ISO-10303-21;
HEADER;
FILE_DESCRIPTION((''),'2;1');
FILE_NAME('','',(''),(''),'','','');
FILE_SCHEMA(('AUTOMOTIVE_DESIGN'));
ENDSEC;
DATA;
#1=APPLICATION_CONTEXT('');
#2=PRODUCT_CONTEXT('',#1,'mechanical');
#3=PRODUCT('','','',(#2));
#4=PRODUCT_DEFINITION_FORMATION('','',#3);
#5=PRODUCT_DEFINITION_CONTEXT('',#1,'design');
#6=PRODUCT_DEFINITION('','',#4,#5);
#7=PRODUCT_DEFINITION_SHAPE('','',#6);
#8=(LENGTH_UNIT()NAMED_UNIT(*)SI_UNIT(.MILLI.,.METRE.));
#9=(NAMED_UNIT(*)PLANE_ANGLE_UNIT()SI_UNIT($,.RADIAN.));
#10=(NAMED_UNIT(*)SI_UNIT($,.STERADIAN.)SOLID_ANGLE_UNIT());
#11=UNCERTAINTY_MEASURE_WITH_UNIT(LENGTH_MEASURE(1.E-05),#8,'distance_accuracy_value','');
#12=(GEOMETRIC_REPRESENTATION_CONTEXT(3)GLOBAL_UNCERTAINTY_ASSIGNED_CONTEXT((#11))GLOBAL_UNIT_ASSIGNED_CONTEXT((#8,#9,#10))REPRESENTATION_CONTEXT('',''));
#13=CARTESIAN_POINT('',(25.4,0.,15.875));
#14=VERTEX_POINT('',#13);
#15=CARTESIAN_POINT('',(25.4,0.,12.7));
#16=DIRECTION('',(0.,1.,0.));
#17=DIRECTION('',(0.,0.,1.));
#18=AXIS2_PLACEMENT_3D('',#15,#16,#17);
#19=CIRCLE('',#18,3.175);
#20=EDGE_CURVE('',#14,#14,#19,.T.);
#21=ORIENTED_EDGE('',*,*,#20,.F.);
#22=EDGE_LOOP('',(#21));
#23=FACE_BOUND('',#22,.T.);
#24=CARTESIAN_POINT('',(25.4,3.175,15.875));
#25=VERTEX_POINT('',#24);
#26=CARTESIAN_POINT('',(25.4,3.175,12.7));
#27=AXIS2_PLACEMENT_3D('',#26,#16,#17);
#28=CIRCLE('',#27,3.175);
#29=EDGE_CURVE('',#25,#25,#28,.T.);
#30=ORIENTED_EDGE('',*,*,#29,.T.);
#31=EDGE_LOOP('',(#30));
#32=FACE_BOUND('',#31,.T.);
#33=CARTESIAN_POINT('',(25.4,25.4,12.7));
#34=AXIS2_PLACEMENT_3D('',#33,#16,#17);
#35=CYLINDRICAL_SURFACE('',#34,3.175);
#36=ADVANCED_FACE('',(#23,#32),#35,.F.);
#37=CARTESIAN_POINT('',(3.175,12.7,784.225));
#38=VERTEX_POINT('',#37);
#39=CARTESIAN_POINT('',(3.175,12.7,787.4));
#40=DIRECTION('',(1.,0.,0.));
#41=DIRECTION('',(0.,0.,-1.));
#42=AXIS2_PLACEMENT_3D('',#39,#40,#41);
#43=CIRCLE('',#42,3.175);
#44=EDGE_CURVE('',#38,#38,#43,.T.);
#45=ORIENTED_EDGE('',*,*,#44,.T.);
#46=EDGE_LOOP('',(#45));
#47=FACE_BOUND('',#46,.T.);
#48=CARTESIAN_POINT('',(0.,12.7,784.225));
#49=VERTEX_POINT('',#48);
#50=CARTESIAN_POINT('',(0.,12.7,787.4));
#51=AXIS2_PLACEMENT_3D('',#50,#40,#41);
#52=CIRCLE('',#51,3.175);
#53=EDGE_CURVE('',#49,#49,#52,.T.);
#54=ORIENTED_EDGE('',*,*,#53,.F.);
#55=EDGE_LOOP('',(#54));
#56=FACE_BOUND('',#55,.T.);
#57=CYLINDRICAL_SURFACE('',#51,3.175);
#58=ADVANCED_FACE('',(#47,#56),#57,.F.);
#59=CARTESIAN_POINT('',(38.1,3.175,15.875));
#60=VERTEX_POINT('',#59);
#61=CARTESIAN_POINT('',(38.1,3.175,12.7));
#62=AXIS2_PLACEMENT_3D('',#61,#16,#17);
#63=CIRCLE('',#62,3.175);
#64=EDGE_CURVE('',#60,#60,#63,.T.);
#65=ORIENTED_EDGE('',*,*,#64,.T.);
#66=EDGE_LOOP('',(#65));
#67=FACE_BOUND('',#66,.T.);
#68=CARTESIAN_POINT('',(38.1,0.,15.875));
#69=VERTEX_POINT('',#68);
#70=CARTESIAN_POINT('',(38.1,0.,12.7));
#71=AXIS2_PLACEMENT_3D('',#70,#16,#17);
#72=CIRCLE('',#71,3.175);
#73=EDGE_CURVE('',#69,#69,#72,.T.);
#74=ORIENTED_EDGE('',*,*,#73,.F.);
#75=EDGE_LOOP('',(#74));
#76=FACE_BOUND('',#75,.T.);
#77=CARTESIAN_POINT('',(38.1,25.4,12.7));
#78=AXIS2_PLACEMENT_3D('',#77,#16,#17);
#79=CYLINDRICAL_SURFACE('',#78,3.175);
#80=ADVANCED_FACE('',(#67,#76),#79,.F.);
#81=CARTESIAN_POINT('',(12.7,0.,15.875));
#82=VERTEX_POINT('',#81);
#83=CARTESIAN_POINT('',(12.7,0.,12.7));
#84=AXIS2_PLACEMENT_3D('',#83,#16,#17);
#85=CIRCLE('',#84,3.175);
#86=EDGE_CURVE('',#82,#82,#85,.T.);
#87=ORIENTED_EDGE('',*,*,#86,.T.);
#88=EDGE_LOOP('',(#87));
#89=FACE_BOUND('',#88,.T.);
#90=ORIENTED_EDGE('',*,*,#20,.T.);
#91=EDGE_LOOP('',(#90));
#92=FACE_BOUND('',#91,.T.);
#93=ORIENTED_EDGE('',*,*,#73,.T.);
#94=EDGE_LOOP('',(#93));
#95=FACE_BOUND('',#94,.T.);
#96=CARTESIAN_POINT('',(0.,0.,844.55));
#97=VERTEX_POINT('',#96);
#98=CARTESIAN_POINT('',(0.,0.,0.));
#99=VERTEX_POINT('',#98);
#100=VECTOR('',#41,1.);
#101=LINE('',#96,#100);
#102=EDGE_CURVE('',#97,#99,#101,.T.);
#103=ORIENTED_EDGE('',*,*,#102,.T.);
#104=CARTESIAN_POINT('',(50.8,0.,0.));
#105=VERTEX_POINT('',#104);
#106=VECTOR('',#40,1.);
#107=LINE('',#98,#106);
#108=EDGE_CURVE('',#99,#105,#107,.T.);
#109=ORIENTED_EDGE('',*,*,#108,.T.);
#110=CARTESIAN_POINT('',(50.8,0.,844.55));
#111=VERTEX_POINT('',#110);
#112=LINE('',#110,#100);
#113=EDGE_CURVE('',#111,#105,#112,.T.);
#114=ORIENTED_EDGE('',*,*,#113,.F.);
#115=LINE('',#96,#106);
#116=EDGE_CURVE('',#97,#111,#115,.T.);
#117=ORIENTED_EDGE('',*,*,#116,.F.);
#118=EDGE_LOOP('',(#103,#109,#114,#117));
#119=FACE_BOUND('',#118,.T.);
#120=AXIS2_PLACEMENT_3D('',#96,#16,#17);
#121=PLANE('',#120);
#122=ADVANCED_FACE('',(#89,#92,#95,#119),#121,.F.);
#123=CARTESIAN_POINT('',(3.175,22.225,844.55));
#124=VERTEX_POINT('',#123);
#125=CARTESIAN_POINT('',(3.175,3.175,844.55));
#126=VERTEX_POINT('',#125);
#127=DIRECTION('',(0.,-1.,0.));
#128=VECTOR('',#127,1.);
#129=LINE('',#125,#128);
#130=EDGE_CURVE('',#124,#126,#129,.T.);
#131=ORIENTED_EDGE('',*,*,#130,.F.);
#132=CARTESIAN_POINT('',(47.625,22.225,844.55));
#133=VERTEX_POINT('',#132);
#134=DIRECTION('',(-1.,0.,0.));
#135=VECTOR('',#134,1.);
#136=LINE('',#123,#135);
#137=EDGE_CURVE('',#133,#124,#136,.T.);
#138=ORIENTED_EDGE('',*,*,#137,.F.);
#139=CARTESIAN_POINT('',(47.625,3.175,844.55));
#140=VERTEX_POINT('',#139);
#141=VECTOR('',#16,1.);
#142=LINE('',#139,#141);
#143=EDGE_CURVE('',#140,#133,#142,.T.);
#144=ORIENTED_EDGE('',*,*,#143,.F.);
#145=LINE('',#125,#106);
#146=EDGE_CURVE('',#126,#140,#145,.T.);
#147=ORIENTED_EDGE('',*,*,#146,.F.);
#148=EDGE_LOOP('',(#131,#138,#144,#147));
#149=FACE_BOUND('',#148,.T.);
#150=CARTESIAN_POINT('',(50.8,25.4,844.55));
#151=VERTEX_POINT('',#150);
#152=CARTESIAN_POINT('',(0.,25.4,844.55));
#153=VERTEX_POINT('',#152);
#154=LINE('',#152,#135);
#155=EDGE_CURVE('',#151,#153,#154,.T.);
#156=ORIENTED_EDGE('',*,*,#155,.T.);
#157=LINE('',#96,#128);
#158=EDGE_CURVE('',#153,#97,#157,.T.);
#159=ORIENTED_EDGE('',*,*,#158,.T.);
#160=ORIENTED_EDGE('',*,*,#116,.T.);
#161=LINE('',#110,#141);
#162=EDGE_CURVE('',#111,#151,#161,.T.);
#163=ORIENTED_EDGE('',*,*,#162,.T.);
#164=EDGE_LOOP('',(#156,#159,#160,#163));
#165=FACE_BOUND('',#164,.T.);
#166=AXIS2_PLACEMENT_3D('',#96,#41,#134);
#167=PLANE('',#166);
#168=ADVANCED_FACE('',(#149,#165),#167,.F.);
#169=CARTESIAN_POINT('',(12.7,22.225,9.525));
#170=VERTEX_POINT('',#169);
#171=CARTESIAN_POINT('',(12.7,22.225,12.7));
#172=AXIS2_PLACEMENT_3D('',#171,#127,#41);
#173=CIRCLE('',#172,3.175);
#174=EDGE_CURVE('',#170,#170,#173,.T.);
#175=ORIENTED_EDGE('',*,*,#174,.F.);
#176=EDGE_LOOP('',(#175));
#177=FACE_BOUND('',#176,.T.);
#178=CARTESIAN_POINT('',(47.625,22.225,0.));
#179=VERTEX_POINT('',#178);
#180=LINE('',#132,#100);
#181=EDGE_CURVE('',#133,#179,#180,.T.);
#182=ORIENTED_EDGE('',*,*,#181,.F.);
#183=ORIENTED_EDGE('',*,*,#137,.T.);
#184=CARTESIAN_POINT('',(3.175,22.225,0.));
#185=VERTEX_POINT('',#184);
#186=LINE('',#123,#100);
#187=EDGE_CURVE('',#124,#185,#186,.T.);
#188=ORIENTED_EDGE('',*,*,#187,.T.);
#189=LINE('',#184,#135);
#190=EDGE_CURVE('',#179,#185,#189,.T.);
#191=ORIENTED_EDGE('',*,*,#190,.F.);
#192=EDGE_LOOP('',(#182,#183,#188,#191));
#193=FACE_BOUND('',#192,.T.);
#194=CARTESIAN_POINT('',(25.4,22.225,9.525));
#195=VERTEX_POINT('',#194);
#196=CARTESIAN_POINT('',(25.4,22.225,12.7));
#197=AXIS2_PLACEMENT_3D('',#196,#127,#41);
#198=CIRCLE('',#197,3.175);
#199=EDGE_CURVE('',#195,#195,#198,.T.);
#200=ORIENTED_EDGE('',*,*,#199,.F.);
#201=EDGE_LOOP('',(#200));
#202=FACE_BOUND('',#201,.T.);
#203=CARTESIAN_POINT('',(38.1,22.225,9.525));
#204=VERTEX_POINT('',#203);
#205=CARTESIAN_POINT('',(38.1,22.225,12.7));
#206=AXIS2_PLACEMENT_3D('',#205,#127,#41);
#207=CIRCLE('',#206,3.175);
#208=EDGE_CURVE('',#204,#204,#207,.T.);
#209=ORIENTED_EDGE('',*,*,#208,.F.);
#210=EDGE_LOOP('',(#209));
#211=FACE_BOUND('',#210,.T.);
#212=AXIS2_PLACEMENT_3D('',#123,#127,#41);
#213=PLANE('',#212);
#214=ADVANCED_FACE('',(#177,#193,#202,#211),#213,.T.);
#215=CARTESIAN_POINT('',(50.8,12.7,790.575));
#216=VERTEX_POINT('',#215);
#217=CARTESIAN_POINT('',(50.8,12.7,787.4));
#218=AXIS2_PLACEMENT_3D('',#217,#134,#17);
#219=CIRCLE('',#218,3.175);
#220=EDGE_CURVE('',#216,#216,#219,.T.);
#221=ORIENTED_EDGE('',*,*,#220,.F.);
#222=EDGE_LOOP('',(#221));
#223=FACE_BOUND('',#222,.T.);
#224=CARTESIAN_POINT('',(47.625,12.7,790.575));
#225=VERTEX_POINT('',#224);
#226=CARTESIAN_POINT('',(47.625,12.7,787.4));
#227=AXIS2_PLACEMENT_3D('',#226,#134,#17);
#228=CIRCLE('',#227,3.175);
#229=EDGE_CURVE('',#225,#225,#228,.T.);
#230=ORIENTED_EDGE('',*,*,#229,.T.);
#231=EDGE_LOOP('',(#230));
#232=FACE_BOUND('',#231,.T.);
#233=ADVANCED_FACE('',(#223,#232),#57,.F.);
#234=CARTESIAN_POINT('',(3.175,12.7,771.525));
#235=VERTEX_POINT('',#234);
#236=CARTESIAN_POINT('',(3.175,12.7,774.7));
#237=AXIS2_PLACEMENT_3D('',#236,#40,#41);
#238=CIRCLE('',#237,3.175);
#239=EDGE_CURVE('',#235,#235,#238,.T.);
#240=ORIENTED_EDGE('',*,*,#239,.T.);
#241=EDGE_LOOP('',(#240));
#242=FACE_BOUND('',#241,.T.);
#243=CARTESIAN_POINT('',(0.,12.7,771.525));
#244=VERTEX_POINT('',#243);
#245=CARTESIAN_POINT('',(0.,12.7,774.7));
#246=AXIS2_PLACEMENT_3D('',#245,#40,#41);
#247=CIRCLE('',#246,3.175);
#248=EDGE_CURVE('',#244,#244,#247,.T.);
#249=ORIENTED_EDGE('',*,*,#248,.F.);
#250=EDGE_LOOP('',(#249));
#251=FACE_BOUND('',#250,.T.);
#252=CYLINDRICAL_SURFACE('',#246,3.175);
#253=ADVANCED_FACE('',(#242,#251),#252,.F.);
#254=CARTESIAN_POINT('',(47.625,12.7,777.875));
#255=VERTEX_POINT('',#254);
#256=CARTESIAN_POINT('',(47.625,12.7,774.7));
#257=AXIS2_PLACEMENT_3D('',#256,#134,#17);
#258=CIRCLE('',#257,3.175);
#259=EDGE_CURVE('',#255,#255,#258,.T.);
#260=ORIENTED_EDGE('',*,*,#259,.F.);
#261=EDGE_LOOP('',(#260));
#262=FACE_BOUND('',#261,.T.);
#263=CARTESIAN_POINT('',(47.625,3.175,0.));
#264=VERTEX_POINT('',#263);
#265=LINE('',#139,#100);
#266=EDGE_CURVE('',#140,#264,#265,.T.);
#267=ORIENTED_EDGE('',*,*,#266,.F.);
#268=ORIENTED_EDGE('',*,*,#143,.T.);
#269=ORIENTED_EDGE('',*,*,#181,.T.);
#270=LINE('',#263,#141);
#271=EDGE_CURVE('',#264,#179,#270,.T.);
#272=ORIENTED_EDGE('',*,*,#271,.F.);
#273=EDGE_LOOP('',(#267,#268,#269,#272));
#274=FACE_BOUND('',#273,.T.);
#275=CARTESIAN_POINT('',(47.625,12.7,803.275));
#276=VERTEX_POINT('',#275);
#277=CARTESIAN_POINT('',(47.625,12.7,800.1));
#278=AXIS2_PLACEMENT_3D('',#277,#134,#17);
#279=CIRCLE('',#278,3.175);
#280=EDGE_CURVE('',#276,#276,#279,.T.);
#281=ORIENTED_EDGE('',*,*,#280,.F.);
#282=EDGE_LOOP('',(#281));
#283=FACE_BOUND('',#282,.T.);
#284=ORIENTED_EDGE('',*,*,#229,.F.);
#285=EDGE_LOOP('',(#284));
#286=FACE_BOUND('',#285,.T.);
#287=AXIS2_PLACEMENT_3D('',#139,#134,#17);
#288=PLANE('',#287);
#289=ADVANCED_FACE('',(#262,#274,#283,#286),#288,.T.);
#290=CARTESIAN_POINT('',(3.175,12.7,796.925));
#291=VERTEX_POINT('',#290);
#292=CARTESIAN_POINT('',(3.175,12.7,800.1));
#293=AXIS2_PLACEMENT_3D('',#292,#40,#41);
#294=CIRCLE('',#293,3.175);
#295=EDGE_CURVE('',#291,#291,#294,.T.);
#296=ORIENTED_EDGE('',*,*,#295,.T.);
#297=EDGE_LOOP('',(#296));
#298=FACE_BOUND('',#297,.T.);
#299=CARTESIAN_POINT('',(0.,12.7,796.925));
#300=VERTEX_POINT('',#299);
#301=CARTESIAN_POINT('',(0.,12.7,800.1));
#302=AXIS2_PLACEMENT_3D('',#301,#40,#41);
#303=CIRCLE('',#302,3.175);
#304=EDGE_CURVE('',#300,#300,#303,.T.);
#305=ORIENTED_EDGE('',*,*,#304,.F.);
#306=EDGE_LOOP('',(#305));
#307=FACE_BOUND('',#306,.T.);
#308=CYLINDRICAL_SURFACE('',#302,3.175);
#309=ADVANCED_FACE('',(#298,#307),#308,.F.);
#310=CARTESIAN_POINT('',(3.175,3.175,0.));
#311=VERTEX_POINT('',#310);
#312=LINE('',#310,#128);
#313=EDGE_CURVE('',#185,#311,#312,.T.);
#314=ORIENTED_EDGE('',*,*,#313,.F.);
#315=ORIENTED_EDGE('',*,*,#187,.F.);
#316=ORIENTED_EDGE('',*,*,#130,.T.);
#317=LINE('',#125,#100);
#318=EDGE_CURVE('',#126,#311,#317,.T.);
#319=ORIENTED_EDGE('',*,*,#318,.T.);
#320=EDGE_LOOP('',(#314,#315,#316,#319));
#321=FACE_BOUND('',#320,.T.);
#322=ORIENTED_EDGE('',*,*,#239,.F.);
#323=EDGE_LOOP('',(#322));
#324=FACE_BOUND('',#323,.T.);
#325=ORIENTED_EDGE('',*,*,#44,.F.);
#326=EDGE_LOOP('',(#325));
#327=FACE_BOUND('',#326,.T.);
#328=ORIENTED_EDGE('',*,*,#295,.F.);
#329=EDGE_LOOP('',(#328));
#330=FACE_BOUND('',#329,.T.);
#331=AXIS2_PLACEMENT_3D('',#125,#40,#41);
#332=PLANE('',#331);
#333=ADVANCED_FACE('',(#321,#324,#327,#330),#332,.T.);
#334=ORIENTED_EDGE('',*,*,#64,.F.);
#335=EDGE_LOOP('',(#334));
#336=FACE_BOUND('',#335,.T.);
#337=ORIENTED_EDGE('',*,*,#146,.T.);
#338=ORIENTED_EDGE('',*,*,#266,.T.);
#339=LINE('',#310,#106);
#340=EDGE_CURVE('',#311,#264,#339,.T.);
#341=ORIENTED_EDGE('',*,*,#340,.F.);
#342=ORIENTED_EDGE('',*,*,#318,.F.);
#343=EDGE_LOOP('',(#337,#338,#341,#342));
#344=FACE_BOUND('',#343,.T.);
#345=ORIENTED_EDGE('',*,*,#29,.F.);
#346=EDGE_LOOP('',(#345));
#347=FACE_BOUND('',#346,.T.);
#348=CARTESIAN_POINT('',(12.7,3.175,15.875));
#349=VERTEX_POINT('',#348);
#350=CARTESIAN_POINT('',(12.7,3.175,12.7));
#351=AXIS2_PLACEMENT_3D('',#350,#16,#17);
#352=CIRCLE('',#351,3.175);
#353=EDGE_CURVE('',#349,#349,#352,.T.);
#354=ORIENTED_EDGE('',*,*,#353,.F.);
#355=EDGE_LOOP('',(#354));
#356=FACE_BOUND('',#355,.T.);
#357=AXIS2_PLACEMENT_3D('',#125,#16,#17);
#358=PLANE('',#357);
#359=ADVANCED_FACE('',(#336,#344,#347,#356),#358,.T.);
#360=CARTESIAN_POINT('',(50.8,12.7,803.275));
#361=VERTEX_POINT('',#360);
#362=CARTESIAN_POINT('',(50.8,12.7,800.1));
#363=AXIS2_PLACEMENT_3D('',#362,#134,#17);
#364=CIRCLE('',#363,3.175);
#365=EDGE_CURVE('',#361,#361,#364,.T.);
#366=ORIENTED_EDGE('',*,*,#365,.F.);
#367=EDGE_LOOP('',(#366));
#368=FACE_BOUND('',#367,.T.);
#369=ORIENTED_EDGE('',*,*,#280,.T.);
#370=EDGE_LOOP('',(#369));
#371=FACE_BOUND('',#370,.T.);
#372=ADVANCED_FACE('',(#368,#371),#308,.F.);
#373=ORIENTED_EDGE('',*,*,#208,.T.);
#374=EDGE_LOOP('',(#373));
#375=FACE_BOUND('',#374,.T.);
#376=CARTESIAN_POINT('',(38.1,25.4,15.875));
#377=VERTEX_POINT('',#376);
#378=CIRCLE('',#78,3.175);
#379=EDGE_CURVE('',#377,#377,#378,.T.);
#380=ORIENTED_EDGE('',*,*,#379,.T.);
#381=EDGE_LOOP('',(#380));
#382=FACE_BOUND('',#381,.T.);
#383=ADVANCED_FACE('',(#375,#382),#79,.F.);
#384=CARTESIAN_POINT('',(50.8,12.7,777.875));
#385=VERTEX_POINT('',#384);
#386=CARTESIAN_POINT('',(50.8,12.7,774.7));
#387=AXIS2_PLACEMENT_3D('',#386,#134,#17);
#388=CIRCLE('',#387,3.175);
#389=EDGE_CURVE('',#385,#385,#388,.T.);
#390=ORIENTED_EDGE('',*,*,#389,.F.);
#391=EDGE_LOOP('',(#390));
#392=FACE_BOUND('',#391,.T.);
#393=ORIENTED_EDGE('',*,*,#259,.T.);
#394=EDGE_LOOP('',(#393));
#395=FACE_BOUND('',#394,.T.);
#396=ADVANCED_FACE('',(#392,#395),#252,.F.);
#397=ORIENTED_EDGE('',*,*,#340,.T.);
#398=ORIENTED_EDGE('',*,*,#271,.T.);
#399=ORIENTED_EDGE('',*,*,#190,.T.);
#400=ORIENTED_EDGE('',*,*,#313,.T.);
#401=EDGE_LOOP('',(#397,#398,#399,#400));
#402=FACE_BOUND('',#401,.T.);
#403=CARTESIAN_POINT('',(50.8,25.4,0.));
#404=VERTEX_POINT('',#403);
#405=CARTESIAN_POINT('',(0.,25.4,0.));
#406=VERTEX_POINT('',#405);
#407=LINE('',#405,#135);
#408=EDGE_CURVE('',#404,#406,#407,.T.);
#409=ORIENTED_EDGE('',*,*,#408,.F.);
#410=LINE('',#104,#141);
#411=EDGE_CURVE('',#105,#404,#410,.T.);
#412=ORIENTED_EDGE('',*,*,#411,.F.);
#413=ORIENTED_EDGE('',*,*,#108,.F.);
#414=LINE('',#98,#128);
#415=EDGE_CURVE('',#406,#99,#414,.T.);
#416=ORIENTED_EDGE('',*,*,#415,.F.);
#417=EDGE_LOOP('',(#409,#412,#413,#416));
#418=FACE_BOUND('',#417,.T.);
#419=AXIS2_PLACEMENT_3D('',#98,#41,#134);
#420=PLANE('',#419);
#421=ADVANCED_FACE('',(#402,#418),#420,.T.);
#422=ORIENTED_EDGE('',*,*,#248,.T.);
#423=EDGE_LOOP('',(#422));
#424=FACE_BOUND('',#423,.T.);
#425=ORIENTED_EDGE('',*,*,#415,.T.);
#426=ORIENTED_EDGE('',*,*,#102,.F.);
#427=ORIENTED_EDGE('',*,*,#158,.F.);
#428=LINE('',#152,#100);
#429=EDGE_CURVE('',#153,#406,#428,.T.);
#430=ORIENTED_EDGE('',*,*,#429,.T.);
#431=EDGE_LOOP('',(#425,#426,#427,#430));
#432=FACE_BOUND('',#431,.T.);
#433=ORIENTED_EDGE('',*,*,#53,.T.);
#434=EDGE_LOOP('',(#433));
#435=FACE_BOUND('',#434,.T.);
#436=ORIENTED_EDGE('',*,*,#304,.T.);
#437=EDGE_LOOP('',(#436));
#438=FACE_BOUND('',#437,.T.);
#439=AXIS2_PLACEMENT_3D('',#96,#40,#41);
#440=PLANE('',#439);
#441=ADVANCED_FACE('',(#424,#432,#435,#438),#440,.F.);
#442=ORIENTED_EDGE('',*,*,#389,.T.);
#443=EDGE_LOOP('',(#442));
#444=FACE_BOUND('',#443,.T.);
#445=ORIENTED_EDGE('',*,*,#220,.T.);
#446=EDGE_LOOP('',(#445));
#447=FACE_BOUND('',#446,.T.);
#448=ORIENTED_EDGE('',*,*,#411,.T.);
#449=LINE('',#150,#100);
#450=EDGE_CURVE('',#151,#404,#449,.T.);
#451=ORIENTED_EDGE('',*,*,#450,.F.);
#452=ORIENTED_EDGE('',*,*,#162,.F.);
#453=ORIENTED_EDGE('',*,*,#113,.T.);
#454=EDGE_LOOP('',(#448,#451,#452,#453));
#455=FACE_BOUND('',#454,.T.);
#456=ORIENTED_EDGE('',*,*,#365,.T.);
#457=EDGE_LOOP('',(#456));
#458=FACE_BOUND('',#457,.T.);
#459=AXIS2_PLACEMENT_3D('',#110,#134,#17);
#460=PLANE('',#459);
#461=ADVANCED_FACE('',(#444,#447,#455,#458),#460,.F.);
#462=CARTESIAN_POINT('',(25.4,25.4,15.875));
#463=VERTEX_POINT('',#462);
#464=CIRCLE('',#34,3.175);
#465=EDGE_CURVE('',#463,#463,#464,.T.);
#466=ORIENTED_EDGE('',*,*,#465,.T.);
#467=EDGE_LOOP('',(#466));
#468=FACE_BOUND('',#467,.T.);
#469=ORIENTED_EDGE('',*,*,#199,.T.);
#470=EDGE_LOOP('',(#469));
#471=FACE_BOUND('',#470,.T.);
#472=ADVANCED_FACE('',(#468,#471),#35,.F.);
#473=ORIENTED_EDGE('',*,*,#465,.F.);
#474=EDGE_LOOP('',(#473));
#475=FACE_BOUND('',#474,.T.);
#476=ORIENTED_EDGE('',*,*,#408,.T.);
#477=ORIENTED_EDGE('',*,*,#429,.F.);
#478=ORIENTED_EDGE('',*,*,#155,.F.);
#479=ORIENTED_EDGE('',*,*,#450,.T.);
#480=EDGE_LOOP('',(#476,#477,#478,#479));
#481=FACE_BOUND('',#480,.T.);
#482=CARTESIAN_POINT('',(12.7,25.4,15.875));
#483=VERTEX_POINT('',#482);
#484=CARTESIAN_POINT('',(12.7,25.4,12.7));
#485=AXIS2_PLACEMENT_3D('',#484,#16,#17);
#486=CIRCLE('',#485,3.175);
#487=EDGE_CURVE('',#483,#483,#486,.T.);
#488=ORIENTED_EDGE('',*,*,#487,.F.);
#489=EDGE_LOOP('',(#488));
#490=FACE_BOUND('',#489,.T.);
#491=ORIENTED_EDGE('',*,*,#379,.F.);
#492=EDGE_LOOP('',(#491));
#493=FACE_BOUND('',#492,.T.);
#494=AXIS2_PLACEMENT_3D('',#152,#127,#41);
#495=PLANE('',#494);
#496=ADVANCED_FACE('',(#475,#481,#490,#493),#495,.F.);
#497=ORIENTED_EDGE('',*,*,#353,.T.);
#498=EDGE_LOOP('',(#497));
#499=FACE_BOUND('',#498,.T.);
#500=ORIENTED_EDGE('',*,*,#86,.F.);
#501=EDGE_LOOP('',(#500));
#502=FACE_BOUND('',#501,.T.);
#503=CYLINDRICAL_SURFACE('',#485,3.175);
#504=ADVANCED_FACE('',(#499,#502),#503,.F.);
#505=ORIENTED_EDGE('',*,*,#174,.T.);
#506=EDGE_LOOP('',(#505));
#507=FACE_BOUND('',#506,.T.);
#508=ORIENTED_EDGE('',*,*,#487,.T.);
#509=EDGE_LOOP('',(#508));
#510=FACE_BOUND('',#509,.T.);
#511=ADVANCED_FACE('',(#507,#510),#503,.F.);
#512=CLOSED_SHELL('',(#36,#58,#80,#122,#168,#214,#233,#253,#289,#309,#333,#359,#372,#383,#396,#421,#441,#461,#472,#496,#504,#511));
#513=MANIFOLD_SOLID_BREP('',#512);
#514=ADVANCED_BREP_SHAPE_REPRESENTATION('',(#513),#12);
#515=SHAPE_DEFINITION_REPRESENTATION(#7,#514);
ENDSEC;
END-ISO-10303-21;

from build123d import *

# Parameters (mm, degrees)
SKETCH1_W                   = 50.8
SKETCH1_H                   = 25.4
SKETCH1_W_2                 = 44.45
SKETCH1_H_2                 = 19.05
BOSS_EXTRUDE1_DEPTH         = 844.55
CUT_EXTRUDE1_DEPTH          = 847.457620026
CUT_EXTRUDE1_DEPTH_BACK     = 847.457620026
SKETCH2_R                   = 3.175
F_1_4_0_25_DIAMETER_HOLE3_D = 6.35


with BuildPart() as part:
    # Sketch1 → Boss-Extrude1 (new body)
    with BuildSketch(Plane.XY):
        with Locations((25.4, 12.7)):
            Rectangle(SKETCH1_W, SKETCH1_H)
        with Locations((25.4, 12.7)):
            Rectangle(SKETCH1_W_2, SKETCH1_H_2, mode=Mode.SUBTRACT)
    extrude(amount=BOSS_EXTRUDE1_DEPTH)

    # Sketch2 → Cut-Extrude1 (cut, two sides: drawn at the far end of the back side and taken through both)
    with BuildSketch(Plane(origin=(50.8, 0, 0), x_dir=(0, 0, -1), z_dir=(1, 0, 0)).offset(-CUT_EXTRUDE1_DEPTH_BACK)):
        with Locations(Location((-800.1, 12.7, 0), (0, 0, 180))):
            Circle(SKETCH2_R)
        with Locations(Location((-787.4, 12.7, 0), (0, 0, 180))):
            Circle(SKETCH2_R)
        with Locations(Location((-774.7, 12.7, 0), (0, 0, 180))):
            Circle(SKETCH2_R)
    extrude(amount=CUT_EXTRUDE1_DEPTH + CUT_EXTRUDE1_DEPTH_BACK, mode=Mode.SUBTRACT)

    # 1/4 (0.25) Diameter Hole3 (through all)
    with Locations(Plane(origin=(0, 25.4, 0), x_dir=(1, 0, 0), z_dir=(0, 1, 0))):
        with Locations((12.7, -12.7), (25.4, -12.7), (38.1, -12.7)):
            Hole(F_1_4_0_25_DIAMETER_HOLE3_D / 2)


solid = part.part
